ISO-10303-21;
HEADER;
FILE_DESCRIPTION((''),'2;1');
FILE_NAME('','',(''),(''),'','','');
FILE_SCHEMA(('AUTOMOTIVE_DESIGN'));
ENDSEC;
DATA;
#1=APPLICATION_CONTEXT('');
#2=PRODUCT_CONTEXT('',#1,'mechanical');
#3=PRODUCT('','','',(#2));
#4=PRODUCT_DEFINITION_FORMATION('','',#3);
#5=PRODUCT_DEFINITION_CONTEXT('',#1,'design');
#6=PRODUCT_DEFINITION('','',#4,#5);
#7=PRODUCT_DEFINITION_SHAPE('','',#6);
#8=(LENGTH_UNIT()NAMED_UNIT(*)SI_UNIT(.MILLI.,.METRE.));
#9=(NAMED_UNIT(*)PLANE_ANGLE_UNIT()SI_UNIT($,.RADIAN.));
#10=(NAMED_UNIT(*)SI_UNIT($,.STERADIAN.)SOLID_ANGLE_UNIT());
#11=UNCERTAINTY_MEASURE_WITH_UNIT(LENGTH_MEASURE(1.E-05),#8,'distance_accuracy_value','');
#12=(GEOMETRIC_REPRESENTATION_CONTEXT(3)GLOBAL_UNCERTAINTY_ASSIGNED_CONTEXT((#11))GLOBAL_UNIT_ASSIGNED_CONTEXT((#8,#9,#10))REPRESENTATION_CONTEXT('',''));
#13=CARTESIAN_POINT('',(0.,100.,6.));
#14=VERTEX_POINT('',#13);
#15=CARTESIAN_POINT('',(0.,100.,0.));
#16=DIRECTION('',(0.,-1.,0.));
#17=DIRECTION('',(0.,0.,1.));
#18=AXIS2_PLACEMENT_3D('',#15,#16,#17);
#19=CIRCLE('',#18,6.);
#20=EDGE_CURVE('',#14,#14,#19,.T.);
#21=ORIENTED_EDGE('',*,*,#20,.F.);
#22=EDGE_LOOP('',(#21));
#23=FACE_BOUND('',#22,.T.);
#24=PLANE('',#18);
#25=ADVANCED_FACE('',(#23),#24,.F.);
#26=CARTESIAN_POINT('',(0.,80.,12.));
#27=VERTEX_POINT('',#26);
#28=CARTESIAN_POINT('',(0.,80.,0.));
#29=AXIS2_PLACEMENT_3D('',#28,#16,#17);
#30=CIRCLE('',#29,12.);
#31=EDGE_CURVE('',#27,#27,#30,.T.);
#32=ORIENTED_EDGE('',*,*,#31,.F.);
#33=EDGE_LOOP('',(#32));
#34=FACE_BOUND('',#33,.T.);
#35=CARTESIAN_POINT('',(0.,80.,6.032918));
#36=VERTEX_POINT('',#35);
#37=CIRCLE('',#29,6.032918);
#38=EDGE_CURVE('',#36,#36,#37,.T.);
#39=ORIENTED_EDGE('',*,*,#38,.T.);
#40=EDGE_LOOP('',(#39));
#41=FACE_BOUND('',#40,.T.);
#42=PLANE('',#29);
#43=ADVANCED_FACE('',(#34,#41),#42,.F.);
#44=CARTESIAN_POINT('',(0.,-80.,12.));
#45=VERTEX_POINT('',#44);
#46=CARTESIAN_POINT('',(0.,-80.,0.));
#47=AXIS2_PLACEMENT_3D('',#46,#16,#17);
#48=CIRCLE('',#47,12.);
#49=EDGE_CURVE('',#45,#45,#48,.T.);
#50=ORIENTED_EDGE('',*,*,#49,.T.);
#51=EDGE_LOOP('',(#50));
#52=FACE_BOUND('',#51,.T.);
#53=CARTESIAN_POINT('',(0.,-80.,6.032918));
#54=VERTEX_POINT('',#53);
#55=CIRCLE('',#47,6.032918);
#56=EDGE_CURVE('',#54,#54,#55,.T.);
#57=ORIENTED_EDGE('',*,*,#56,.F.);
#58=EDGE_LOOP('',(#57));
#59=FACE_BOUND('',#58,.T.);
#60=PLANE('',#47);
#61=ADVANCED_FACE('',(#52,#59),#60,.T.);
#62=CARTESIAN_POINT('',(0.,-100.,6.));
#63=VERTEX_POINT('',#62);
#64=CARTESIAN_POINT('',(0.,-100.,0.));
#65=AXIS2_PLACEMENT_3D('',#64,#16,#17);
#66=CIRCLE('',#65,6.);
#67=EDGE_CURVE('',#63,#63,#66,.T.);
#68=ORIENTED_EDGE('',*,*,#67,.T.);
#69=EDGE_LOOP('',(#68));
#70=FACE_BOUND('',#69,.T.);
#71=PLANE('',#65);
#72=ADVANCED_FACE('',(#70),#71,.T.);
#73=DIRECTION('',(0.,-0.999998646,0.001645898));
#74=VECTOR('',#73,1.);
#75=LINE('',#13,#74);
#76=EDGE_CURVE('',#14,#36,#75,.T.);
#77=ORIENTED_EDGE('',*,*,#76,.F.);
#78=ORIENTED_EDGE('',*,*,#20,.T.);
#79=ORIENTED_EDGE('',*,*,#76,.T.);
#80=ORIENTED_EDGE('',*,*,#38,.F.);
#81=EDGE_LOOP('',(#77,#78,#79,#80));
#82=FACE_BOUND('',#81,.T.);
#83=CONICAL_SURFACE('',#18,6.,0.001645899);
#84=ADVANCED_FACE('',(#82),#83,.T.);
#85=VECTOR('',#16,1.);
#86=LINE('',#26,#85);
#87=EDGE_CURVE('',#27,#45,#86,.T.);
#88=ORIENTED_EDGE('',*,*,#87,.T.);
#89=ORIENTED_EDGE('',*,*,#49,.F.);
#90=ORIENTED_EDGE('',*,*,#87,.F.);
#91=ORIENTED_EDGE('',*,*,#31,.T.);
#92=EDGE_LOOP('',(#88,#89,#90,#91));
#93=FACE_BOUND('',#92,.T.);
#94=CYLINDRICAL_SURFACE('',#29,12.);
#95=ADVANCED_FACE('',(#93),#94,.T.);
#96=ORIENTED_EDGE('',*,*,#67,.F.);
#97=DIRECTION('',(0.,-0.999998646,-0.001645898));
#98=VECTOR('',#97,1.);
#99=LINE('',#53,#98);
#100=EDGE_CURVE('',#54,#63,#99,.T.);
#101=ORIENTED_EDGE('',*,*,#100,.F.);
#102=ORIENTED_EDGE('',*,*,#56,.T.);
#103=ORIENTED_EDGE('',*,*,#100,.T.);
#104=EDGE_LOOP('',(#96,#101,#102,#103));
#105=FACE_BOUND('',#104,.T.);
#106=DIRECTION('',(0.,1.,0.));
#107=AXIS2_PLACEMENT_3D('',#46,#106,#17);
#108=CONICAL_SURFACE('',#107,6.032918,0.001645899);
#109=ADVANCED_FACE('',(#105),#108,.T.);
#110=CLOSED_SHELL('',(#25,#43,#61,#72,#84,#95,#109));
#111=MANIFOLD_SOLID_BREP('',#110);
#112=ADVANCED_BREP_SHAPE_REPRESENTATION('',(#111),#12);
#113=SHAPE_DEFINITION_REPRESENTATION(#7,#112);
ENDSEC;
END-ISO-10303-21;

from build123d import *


with BuildPart() as f1:
    # F0 (on Right) → F1 (revolve)
    with BuildSketch(Plane.YZ):
        Polygon((100, 0), (100, 6), (80, 6.032918), (0, 6.164591), (-80, 6.032918), (-100, 6), (-100, 0), (0, 0), align=None)
    revolve(axis=Axis((0, -50, 0), (0, -1, 0)))

    # F0 (on Right) → F2 (revolve)
    with BuildSketch(Plane.YZ):
        Polygon((0, 6.164591), (80, 6.032918), (80, 12), (0, 12), (-80, 12), (-80, 6.032918), align=None)
    revolve(axis=Axis((0, -50, 0), (0, -1, 0)))


solid = f1.part
